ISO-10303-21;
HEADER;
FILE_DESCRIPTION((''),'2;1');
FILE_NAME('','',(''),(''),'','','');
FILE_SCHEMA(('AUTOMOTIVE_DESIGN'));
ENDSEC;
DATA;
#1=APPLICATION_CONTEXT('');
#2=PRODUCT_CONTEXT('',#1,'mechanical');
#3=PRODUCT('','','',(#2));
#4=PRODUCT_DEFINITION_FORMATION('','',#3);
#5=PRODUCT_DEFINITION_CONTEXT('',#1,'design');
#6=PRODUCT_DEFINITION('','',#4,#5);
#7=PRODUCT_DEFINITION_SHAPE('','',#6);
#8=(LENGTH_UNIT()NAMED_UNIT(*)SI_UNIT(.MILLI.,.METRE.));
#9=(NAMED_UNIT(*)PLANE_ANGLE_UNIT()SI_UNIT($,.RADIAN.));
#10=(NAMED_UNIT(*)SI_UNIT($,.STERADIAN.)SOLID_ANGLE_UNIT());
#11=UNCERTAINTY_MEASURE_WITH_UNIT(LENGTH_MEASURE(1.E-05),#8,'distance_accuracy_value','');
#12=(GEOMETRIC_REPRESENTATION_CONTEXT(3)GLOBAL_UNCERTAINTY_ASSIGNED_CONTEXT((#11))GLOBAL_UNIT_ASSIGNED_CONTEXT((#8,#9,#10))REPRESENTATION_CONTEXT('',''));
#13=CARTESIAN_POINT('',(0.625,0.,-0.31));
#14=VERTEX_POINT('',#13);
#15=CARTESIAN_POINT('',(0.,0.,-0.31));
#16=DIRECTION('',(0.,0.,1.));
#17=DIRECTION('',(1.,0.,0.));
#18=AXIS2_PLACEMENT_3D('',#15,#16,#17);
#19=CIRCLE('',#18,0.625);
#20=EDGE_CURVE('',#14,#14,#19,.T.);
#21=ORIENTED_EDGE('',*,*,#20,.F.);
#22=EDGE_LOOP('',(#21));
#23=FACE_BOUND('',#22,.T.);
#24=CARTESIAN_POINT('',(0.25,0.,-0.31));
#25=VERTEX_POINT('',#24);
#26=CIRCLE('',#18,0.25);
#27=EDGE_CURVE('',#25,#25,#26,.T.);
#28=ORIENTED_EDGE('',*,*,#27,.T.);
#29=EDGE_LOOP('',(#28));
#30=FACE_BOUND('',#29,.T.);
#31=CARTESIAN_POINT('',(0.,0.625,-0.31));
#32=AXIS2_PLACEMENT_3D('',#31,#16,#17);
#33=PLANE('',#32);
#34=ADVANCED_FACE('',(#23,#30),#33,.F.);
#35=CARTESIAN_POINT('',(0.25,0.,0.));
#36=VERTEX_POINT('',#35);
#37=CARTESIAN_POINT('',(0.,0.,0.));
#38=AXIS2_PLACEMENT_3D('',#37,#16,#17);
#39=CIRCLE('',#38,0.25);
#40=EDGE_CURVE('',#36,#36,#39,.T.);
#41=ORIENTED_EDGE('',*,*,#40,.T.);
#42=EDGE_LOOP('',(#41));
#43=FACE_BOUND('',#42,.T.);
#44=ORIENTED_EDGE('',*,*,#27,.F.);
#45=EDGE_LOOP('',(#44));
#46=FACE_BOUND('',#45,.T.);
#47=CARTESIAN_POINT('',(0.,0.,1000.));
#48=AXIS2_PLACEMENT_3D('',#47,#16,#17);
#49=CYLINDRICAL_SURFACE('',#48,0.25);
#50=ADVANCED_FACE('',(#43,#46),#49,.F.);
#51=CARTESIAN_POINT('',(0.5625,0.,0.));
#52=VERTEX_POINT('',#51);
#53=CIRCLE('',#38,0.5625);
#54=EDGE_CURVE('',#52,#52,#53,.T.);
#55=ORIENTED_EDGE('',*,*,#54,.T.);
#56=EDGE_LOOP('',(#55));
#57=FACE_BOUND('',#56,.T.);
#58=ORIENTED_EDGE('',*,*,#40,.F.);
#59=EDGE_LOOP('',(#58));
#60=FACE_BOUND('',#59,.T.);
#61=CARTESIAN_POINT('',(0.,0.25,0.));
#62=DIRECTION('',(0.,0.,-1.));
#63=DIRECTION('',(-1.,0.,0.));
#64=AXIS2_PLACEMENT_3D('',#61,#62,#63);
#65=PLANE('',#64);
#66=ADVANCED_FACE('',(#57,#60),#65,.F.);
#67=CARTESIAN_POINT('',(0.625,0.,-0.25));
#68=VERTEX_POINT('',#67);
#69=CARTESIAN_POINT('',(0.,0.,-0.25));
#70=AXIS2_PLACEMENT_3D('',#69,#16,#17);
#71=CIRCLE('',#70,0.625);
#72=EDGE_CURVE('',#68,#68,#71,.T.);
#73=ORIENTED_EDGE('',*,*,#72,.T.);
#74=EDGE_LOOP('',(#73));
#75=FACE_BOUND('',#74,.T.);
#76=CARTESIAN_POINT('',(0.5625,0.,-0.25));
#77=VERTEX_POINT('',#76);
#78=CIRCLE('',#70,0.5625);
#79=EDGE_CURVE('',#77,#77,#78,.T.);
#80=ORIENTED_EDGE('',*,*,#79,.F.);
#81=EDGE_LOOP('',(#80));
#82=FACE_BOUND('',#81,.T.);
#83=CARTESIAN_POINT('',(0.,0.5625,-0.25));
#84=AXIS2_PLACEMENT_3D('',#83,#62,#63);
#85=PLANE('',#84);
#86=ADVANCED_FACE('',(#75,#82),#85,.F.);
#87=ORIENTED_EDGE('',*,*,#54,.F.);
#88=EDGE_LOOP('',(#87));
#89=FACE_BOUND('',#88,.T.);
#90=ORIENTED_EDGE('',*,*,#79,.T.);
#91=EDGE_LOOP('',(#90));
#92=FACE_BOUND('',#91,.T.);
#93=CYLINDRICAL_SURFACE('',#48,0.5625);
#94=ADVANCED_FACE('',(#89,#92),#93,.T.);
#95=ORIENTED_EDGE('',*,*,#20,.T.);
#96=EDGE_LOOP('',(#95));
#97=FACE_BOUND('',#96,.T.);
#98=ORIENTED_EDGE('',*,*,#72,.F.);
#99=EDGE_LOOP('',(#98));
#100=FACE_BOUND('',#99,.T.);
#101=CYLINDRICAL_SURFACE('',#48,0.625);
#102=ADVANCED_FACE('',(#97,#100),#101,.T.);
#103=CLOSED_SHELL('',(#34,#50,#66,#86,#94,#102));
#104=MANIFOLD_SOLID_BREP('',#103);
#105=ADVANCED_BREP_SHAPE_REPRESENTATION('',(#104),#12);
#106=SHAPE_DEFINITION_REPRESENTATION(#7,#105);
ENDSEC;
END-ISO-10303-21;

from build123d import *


with BuildPart() as part:
    # Sketch3 → Revolve1 (revolve)
    with BuildSketch(Plane(origin=(0, 0, 0), x_dir=(0, 0, -1), z_dir=(1, 0, 0)), mode=Mode.PRIVATE) as revolve1_sk:
        Polygon((0, 0.25), (0, 0.5625), (0.25, 0.5625), (0.25, 0.625), (0.31, 0.625), (0.31, 0.25), align=None)
    revolve(revolve1_sk.sketch.rotate(Axis((0, 0, 1000), (0, 0, -1)), 90), axis=Axis((0, 0, 1000), (0, 0, -1)))


solid = part.part
